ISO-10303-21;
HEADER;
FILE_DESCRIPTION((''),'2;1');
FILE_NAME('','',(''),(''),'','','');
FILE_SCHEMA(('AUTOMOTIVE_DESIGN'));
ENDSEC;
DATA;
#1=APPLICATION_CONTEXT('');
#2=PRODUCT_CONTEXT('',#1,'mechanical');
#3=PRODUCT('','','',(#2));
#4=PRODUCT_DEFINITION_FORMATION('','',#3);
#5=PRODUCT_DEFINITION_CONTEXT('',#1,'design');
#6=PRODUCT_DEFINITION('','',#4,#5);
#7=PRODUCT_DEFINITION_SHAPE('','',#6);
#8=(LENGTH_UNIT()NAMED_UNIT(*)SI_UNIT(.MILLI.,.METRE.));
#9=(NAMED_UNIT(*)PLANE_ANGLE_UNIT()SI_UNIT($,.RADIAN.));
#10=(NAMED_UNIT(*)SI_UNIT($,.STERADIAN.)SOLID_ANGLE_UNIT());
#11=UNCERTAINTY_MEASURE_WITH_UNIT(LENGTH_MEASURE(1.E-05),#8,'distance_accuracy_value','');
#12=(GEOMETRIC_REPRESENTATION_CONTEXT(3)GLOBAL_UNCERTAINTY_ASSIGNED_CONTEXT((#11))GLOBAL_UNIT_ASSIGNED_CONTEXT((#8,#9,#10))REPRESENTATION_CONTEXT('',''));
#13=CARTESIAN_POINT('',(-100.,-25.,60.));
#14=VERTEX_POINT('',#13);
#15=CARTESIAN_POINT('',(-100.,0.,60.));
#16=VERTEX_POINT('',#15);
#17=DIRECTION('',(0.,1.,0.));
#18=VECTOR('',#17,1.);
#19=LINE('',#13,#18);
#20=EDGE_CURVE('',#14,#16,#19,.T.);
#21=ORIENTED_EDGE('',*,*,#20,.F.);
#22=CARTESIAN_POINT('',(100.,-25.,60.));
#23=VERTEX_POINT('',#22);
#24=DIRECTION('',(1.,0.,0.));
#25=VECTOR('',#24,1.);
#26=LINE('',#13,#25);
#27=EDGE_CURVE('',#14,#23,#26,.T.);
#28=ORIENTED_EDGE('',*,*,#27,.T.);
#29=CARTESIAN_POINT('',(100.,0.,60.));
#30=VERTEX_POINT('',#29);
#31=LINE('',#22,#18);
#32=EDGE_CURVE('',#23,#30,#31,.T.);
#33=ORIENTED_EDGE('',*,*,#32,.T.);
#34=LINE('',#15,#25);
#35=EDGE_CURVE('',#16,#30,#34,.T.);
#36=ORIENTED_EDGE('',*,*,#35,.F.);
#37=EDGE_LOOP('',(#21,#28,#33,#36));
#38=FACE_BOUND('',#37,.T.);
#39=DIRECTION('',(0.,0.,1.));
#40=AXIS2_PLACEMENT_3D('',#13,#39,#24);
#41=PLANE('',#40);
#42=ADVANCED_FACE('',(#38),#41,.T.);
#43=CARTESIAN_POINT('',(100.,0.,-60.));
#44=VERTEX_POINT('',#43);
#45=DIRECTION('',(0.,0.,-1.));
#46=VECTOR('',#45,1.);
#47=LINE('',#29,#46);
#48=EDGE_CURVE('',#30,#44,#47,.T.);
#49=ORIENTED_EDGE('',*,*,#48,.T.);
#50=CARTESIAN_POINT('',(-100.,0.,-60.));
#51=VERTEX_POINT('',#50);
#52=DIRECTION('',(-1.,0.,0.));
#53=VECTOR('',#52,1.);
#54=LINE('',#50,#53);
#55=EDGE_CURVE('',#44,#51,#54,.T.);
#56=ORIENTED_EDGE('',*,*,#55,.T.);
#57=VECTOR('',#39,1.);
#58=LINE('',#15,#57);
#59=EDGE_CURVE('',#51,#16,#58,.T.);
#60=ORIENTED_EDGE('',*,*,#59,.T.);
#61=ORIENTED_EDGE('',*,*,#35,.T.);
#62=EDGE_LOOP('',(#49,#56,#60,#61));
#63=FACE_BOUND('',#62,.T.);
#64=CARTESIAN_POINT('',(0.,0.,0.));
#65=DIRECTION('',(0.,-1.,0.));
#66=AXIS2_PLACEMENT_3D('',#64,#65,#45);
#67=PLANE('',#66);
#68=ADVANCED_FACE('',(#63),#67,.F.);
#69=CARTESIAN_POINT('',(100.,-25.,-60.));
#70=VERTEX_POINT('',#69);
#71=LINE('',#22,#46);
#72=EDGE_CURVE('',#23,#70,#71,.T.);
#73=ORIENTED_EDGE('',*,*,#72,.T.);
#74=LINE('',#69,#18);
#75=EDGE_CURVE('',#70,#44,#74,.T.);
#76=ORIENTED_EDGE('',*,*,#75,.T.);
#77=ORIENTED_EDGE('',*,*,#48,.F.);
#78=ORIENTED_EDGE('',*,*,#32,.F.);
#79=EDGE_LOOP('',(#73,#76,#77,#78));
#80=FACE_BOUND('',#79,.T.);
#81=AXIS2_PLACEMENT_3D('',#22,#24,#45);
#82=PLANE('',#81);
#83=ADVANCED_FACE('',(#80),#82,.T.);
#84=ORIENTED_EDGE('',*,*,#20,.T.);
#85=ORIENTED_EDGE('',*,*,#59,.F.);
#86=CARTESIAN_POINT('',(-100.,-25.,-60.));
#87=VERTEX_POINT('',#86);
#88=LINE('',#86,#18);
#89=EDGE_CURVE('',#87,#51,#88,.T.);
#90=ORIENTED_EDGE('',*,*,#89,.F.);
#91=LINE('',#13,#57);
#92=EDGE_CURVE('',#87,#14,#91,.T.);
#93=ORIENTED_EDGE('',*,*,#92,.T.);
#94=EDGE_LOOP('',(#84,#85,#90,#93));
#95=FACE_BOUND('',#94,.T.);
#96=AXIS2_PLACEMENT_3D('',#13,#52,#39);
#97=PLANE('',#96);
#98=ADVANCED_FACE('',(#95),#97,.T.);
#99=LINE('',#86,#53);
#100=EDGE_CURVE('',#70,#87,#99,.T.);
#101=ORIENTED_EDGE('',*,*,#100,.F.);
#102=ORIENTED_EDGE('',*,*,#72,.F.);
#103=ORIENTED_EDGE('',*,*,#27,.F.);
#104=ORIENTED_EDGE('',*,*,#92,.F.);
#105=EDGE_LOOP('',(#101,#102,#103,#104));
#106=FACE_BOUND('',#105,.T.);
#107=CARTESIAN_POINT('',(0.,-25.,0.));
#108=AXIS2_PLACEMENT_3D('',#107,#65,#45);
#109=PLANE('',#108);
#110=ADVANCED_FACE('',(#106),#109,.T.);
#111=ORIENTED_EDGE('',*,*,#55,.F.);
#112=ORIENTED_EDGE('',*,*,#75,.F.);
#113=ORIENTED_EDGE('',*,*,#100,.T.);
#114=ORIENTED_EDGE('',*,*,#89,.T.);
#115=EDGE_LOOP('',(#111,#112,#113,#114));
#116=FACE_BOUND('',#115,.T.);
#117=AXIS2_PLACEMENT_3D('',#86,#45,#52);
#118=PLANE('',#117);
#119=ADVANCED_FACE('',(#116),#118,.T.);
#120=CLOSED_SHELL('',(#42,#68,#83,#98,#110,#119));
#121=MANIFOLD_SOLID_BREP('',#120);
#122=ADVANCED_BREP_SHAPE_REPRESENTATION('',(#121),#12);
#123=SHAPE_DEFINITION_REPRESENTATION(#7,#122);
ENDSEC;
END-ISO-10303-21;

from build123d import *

# Parameters (mm, degrees)
SKETCH_1_W      = 200
SKETCH_1_H      = 120
EXTRUDE_1_DEPTH = 25


with BuildPart() as part:
    # 草图1 → 凸台-拉伸1 (new body)
    with BuildSketch(Plane(origin=(0, 0, 0), x_dir=(1, 0, 0), z_dir=(0, 1, 0))):
        Rectangle(SKETCH_1_W, SKETCH_1_H)
    extrude(amount=-EXTRUDE_1_DEPTH)


solid = part.part
